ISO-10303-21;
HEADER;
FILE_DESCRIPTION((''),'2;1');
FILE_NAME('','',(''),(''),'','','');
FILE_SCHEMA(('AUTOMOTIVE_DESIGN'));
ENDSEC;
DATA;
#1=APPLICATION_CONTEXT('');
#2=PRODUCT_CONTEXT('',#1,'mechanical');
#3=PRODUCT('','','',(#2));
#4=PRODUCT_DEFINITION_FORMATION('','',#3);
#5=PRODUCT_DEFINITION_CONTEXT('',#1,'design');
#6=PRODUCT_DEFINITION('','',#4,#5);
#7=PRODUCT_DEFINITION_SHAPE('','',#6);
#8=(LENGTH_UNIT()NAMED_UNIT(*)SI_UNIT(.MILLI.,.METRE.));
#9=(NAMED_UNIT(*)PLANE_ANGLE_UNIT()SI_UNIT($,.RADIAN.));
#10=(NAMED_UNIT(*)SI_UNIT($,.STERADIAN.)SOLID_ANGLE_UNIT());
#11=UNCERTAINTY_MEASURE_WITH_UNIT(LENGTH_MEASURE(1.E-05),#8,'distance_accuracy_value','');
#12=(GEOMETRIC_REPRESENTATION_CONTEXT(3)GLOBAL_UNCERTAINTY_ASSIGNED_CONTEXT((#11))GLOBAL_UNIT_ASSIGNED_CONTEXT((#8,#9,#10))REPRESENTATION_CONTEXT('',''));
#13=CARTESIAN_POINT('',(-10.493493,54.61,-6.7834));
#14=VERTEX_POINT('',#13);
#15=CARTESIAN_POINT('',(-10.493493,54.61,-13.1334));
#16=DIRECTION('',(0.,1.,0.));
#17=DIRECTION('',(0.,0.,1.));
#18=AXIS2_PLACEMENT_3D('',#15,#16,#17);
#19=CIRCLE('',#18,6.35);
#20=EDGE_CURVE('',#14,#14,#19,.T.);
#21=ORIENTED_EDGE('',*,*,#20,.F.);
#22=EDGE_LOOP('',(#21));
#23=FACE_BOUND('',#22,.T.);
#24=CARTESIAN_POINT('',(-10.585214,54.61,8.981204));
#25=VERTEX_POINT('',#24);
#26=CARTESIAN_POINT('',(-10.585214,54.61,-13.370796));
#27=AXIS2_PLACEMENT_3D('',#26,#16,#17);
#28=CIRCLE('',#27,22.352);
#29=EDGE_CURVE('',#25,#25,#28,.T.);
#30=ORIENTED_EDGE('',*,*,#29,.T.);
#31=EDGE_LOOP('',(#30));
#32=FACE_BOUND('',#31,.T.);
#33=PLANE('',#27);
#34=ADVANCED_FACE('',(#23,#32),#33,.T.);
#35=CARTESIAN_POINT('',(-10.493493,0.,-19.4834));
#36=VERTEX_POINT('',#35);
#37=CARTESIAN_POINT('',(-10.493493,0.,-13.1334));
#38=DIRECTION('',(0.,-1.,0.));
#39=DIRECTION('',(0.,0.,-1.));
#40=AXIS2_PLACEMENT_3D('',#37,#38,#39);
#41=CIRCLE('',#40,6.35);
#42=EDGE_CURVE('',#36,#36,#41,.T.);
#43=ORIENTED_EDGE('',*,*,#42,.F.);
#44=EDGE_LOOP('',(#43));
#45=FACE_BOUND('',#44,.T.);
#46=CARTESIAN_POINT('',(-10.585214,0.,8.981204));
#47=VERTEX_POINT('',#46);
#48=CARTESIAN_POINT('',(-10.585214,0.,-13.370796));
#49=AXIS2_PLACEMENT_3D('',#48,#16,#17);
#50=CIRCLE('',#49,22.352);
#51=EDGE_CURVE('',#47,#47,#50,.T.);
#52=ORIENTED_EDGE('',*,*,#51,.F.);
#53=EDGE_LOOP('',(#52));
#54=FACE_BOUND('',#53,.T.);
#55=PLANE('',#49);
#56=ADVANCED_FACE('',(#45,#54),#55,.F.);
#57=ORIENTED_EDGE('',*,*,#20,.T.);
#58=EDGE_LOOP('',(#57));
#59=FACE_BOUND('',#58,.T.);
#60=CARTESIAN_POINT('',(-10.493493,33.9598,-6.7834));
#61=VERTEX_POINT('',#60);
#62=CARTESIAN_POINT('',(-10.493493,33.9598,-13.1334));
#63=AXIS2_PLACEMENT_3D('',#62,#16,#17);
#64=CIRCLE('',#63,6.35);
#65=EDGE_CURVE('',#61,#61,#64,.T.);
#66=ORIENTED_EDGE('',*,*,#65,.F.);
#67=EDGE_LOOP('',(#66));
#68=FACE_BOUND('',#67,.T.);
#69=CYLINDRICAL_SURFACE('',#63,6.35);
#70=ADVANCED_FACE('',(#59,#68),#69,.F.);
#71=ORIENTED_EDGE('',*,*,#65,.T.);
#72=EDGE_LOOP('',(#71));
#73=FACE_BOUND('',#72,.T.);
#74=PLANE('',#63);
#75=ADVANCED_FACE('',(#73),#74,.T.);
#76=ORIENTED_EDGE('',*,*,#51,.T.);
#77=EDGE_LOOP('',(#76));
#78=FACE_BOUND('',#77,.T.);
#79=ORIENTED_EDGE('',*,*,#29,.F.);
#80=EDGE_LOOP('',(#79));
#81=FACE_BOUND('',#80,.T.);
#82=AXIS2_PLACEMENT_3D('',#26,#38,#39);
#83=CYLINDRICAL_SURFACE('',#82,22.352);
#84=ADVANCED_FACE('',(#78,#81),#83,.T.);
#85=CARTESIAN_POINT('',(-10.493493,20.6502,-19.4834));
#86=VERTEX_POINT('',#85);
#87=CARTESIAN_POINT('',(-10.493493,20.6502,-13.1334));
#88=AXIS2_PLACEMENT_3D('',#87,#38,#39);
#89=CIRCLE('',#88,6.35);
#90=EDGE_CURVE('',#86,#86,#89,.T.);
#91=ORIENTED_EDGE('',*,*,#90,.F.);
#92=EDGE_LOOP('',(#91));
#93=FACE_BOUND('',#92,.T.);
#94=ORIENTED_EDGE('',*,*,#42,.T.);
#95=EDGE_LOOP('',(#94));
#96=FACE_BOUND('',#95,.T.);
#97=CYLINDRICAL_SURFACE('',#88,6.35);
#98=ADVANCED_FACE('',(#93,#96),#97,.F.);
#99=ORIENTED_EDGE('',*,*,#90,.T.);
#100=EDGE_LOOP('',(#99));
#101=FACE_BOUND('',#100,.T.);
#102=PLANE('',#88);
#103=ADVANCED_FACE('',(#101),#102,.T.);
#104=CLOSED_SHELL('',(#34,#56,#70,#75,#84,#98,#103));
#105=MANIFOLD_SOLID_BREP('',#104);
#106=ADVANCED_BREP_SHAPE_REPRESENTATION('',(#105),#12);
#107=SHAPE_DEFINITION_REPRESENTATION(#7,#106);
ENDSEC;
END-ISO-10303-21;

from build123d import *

# Parameters (mm, degrees)
SKETCH1_R           = 22.352
BOSS_EXTRUDE1_DEPTH = 54.61
SKETCH2_R           = 6.35
CUT_EXTRUDE1_DEPTH  = 20.6502
SKETCH3_R           = 6.35
CUT_EXTRUDE2_DEPTH  = 20.6502


with BuildPart() as part:
    # Sketch1 → Boss-Extrude1 (new body)
    with BuildSketch(Plane(origin=(0, 0, 0), x_dir=(1, 0, 0), z_dir=(0, 1, 0))):
        with Locations((-10.585213669, 13.370796213)):
            Circle(SKETCH1_R)
    extrude(amount=BOSS_EXTRUDE1_DEPTH)

    # Sketch2 → Cut-Extrude1 (cut)
    with BuildSketch(Plane(origin=(0, 54.61, 0), x_dir=(1, 0, 0), z_dir=(0, 1, 0))):
        with Locations((-10.493492602, 13.133399692)):
            Circle(SKETCH2_R)
    extrude(amount=-CUT_EXTRUDE1_DEPTH, mode=Mode.SUBTRACT)

    # Sketch3 → Cut-Extrude2 (cut)
    with BuildSketch(Plane(origin=(0, 0, 0), x_dir=(-1, 0, 0), z_dir=(0, -1, 0))):
        with Locations((10.493492678, 13.133399692)):
            Circle(SKETCH3_R)
    extrude(amount=-CUT_EXTRUDE2_DEPTH, mode=Mode.SUBTRACT)


solid = part.part
